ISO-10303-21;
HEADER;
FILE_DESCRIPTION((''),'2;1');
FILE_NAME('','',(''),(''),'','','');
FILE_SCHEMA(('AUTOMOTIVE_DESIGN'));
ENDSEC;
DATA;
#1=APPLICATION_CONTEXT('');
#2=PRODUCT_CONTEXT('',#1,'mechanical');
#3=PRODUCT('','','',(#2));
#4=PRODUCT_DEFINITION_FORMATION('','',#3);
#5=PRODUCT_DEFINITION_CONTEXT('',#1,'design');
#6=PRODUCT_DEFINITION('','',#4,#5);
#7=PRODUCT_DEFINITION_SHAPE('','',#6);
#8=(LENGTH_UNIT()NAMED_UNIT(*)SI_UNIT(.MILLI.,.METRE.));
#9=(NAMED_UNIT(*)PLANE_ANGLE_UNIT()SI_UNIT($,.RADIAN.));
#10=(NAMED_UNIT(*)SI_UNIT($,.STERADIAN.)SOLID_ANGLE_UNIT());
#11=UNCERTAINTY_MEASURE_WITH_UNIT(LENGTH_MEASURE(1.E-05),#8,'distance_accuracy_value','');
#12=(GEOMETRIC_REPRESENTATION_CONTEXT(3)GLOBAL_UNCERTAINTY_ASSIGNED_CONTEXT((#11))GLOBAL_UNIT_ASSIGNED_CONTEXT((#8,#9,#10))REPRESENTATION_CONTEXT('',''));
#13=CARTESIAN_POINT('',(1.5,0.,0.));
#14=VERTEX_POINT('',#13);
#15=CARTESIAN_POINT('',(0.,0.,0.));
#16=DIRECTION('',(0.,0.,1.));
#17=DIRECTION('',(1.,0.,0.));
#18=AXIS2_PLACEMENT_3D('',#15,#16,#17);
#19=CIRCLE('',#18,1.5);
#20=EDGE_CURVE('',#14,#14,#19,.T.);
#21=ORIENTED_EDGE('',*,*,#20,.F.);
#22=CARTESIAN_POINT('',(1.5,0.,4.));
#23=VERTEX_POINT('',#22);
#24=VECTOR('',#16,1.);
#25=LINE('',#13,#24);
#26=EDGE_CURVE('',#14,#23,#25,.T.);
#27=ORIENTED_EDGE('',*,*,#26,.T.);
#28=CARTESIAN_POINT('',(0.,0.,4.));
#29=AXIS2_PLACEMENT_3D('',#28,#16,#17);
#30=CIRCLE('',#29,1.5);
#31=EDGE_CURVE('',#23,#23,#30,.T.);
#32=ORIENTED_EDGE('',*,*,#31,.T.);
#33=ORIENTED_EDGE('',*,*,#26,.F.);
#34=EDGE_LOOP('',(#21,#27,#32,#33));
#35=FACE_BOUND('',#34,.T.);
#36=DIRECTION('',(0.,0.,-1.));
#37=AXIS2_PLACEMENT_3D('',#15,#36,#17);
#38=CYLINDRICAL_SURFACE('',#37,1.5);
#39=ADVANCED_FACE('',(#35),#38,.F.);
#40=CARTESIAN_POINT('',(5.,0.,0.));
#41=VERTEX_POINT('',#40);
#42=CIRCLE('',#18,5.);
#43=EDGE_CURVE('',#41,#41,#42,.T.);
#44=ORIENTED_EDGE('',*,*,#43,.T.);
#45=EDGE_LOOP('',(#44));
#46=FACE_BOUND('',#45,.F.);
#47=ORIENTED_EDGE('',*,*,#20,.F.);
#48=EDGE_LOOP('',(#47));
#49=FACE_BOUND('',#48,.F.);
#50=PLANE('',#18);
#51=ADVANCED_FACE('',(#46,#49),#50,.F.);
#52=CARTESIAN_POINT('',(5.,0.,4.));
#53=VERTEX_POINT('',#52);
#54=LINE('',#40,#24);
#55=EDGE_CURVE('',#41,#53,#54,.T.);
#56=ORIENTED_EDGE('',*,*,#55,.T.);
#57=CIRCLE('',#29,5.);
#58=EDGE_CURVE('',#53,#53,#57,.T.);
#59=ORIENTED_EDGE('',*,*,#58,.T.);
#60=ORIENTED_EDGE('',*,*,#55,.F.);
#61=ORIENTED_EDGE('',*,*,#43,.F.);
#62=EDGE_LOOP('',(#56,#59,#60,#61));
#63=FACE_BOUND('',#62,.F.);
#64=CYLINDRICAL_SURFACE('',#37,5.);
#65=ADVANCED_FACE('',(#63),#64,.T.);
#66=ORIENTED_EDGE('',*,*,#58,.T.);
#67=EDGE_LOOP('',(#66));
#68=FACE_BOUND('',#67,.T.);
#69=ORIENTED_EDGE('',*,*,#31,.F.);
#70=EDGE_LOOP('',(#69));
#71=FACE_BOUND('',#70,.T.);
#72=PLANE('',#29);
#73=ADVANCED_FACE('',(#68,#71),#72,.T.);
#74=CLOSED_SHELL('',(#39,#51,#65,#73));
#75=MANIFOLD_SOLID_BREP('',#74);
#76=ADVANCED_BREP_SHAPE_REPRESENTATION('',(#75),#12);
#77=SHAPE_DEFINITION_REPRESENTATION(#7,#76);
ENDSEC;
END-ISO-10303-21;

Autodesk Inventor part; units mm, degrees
ref_plane "YZ Plane" through (0, 0, 0) normal (1, 0, 0) x (0, 1, 0)
ref_plane "XZ Plane" through (0, 0, 0) normal (0, 1, 0) x (-1, 0, 0)
ref_plane "XY Plane" through (0, 0, 0) normal (0, 0, 1) x (1, 0, 0)
sketch "Эскиз1" plane through (0, 0, 0) normal (0, 0, 1) x (1, 0, 0)
  circle A0 centre (0, 0) radius 5
  circle A1 centre (0, 0) radius 1.5
  dimension "d0" = 10
  dimension "d1" = 3
extrude "Выдавливание1" add sketch "Эскиз1" along normal blind 4
properties part number "подшипник2"
